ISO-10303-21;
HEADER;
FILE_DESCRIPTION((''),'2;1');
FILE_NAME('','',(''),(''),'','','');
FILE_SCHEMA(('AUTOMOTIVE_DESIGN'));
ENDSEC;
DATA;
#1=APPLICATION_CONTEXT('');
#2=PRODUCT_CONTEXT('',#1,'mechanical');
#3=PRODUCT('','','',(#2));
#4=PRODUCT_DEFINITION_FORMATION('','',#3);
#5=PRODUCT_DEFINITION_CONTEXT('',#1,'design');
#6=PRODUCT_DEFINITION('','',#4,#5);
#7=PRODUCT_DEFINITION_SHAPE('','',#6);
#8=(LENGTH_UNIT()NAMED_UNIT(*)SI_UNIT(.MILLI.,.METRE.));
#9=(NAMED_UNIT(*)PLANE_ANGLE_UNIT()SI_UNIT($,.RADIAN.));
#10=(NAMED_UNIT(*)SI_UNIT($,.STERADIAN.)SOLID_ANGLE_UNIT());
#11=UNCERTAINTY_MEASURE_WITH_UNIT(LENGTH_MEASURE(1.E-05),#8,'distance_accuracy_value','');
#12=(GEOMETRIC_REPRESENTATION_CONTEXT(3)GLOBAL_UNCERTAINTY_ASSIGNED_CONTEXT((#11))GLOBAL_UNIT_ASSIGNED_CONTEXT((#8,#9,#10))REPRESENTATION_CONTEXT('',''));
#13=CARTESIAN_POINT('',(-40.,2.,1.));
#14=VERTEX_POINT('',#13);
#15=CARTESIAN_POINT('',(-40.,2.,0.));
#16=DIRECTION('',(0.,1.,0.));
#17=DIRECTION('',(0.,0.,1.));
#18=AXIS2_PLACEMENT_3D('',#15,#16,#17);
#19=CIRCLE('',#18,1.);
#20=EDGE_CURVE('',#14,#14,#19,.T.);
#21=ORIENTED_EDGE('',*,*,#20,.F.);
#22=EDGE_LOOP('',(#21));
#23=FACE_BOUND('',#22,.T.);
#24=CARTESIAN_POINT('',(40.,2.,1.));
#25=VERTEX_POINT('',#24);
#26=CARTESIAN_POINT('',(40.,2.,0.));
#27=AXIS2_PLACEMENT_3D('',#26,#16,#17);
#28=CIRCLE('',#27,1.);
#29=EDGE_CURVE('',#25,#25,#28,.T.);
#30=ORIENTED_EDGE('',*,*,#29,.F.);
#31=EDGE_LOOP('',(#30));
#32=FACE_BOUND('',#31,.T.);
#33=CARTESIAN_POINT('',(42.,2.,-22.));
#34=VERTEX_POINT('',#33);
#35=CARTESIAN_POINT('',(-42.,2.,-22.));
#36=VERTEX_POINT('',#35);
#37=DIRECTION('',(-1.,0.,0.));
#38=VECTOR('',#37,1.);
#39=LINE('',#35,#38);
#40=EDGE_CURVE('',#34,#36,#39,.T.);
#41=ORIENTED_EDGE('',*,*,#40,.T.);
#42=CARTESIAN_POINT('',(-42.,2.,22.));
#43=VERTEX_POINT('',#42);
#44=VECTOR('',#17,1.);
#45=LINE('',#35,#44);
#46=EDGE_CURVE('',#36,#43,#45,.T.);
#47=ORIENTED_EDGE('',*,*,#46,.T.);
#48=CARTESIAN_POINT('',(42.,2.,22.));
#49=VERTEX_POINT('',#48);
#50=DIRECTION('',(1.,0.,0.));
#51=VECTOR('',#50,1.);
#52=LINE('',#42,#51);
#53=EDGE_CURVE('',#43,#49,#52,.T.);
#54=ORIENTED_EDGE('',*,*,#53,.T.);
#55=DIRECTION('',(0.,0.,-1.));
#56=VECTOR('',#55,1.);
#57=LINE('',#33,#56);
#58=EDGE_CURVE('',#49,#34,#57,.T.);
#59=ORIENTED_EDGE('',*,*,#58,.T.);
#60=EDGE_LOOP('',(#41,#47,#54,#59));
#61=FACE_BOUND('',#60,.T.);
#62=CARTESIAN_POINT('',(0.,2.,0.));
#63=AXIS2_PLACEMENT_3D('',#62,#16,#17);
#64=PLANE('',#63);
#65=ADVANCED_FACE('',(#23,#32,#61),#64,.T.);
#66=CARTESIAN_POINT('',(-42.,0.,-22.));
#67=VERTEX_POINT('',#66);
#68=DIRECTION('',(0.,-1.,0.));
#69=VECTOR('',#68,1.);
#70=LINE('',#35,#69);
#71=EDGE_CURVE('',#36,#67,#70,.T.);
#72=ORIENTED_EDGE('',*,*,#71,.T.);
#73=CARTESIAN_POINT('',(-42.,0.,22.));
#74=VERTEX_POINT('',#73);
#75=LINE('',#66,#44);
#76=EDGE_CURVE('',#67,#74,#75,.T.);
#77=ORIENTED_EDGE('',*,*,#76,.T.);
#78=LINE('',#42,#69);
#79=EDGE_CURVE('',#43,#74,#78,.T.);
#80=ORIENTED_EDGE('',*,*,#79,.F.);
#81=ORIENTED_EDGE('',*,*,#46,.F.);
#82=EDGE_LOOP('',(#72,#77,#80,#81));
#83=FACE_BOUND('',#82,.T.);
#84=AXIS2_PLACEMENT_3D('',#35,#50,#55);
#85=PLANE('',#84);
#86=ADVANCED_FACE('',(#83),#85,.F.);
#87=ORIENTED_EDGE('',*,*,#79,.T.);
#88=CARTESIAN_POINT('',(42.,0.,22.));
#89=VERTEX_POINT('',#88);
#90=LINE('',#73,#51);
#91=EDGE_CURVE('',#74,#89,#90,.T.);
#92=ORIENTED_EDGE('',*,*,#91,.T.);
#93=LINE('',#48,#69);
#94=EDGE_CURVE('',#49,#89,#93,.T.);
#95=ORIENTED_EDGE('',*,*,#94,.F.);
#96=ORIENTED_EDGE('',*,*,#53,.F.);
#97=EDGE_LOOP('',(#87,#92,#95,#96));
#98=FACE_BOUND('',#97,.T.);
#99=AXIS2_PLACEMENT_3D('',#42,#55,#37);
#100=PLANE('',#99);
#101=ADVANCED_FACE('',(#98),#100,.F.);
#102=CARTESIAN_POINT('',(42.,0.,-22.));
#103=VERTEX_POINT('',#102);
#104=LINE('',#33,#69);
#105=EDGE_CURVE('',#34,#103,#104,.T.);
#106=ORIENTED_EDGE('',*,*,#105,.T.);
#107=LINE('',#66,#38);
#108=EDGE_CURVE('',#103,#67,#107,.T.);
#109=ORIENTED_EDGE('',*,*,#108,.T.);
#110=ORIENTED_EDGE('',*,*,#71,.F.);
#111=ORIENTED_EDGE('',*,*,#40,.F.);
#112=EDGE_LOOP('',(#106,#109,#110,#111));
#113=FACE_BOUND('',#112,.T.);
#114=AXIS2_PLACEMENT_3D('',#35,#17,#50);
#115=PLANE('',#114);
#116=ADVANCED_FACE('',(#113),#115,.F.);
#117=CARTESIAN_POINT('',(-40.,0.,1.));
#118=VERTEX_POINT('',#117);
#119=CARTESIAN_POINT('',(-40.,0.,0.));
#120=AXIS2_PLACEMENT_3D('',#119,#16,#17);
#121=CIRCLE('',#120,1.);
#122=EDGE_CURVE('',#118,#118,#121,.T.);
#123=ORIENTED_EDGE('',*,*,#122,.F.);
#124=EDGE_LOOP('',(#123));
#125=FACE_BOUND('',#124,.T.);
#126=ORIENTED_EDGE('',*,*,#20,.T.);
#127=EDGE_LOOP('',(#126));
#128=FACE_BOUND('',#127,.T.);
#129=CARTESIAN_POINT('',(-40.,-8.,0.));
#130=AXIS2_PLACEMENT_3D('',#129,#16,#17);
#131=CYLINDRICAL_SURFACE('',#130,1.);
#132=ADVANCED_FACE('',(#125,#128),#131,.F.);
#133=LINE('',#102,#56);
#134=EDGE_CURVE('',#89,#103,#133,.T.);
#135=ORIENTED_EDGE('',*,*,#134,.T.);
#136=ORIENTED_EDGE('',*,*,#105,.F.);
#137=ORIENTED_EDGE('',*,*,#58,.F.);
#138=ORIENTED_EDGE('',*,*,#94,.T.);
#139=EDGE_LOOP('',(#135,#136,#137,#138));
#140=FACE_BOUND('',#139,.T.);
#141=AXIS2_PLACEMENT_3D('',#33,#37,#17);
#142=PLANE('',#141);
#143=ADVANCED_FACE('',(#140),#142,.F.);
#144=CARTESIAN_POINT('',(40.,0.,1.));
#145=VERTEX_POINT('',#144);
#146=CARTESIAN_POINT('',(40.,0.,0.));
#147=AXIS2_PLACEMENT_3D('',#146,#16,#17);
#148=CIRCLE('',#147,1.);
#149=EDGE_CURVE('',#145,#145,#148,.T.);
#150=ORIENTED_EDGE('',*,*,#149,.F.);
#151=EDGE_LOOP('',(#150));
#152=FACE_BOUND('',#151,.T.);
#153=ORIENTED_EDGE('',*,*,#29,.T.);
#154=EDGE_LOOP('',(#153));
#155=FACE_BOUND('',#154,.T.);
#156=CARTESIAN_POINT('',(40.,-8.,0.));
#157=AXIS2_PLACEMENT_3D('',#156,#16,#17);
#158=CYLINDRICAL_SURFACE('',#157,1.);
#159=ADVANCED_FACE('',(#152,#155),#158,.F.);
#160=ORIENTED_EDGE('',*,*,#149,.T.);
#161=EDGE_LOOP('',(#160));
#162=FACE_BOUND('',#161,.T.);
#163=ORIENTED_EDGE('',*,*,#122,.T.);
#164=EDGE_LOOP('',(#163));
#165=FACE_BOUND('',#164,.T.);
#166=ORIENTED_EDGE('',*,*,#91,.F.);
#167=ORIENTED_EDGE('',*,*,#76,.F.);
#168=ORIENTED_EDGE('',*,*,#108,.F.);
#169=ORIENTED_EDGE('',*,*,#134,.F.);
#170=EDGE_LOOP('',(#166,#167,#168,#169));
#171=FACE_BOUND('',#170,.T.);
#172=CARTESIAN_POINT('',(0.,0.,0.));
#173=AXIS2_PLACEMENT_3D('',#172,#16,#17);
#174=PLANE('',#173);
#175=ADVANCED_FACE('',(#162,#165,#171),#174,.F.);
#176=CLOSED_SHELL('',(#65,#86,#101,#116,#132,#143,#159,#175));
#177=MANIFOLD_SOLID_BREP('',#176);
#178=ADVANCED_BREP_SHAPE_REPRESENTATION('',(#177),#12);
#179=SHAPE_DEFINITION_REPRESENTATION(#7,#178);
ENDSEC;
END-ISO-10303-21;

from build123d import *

# Parameters (mm, degrees)
SKETCH1_W           = 84
SKETCH1_H           = 44
BOSS_EXTRUDE1_DEPTH = 2
SKETCH2_R           = 1
CUT_EXTRUDE1_DEPTH  = 10


with BuildPart() as part:
    # Sketch1 → Boss-Extrude1 (new body)
    with BuildSketch(Plane(origin=(0, 0, 0), x_dir=(1, 0, 0), z_dir=(0, 1, 0))):
        Rectangle(SKETCH1_W, SKETCH1_H)
    extrude(amount=BOSS_EXTRUDE1_DEPTH)

    # Sketch2 → Cut-Extrude1 (cut)
    with BuildSketch(Plane(origin=(0, 2, 0), x_dir=(1, 0, 0), z_dir=(0, 1, 0))):
        with Locations(Location((-40, 0, 0), (0, 0, 270))):
            Circle(SKETCH2_R)
        with Locations(Location((40, 0, 0), (0, 0, 270))):
            Circle(SKETCH2_R)
    extrude(amount=-CUT_EXTRUDE1_DEPTH, mode=Mode.SUBTRACT)


solid = part.part
